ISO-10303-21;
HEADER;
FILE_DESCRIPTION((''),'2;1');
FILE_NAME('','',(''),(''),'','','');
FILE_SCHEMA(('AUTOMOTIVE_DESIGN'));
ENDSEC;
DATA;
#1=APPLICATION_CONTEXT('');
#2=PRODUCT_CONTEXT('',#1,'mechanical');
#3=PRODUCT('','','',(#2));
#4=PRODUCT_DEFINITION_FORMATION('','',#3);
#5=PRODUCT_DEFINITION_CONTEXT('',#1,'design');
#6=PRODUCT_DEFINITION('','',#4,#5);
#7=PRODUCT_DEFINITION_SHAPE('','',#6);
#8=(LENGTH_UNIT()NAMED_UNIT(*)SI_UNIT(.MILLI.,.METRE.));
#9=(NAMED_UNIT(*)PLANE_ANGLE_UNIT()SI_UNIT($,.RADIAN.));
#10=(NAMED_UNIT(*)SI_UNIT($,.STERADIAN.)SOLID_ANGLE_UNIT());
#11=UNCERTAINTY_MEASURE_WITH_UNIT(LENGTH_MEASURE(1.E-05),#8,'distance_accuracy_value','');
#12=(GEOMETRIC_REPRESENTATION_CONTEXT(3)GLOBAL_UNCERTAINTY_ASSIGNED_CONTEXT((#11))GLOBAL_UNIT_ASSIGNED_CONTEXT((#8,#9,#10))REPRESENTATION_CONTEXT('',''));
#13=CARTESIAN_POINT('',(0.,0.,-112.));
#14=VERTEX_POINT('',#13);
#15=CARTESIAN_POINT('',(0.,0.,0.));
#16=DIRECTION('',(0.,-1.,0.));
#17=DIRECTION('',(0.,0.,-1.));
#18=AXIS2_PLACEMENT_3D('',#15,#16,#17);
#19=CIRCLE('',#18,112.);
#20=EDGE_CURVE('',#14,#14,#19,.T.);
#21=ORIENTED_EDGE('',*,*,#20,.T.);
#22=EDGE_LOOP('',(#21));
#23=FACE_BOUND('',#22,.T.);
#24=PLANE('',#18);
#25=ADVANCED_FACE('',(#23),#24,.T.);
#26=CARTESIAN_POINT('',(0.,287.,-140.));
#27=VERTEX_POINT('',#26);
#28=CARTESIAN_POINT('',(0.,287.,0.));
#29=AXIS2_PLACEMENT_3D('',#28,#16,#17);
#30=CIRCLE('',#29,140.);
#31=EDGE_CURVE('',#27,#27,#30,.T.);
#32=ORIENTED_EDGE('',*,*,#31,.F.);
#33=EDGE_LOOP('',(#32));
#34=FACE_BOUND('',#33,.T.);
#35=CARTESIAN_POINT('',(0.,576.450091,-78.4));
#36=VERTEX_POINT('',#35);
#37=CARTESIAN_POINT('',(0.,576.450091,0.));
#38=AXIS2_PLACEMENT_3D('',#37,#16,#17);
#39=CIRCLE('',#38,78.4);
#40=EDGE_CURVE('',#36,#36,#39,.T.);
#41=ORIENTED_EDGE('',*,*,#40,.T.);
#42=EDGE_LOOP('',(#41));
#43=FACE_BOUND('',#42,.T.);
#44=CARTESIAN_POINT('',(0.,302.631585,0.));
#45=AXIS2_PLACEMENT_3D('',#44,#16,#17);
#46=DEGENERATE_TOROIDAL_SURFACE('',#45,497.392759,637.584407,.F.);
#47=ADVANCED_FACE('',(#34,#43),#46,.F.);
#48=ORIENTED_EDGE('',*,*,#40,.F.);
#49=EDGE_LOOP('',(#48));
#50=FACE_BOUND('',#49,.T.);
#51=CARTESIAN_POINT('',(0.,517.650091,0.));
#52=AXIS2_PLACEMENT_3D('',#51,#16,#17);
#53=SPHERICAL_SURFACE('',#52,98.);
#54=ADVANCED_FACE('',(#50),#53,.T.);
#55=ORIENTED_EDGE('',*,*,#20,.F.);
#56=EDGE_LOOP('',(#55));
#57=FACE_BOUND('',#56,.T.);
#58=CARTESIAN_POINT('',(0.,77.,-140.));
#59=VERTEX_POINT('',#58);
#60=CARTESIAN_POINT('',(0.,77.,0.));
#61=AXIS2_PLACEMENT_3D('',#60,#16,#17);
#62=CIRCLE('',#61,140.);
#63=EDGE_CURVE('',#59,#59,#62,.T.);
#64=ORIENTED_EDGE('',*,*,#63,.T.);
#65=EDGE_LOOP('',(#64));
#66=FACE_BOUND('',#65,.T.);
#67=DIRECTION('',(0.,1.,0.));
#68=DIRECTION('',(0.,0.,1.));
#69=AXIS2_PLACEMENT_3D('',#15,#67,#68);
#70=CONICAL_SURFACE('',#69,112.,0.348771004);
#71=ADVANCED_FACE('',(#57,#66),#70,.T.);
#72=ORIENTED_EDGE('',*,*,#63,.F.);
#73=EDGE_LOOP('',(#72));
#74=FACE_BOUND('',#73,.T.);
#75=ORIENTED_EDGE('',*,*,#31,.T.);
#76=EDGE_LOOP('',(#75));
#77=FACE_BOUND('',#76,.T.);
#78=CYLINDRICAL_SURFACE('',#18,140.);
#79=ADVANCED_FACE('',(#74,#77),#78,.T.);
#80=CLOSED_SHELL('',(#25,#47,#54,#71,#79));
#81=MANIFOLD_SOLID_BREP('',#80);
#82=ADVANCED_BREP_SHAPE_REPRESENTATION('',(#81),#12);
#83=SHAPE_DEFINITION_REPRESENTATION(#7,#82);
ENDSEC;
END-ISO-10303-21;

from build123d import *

# Parameters (mm, degrees)
DOME1_FACE_RADIUS = 78.4
DOME1_HEIGHT      = 39.2


with BuildPart() as part:
    # Sketch1 → Revolve1 (revolve)
    with BuildSketch(Plane.XY, mode=Mode.PRIVATE) as revolve1_sk:
        with BuildLine():
            Line((140, 287), (140, 77))
            Line((140, 77), (112, 0))
            Line((112, 0), (0, 0))
            Line((0, 0), (0, 576.450091372))
            Line((0, 576.450091372), (78.4, 576.450091372))
            ThreePointArc((78.4, 576.450091372), (126.225805609, 435.348432435), (140, 287))
        make_face()
    revolve(revolve1_sk.sketch.rotate(Axis((0, 0, 0), (0, 1, 0)), 90), axis=Axis((0, 0, 0), (0, 1, 0)))

    # Dome1: a dome of height H over a round flat face of radius A is a cap of a sphere of radius (A * A + H * H) / (2 * H)
    dome1_r = (DOME1_FACE_RADIUS * DOME1_FACE_RADIUS + DOME1_HEIGHT * DOME1_HEIGHT) / (2 * DOME1_HEIGHT)
    dome1_base = Plane((0, 576.450091372, 0), z_dir=(0, 1, 0))
    with Locations(dome1_base.offset(DOME1_HEIGHT - dome1_r)):
        dome1_ball = Sphere(dome1_r, mode=Mode.PRIVATE)
    add(split(dome1_ball, bisect_by=dome1_base, keep=Keep.TOP, mode=Mode.PRIVATE))


solid = part.part
